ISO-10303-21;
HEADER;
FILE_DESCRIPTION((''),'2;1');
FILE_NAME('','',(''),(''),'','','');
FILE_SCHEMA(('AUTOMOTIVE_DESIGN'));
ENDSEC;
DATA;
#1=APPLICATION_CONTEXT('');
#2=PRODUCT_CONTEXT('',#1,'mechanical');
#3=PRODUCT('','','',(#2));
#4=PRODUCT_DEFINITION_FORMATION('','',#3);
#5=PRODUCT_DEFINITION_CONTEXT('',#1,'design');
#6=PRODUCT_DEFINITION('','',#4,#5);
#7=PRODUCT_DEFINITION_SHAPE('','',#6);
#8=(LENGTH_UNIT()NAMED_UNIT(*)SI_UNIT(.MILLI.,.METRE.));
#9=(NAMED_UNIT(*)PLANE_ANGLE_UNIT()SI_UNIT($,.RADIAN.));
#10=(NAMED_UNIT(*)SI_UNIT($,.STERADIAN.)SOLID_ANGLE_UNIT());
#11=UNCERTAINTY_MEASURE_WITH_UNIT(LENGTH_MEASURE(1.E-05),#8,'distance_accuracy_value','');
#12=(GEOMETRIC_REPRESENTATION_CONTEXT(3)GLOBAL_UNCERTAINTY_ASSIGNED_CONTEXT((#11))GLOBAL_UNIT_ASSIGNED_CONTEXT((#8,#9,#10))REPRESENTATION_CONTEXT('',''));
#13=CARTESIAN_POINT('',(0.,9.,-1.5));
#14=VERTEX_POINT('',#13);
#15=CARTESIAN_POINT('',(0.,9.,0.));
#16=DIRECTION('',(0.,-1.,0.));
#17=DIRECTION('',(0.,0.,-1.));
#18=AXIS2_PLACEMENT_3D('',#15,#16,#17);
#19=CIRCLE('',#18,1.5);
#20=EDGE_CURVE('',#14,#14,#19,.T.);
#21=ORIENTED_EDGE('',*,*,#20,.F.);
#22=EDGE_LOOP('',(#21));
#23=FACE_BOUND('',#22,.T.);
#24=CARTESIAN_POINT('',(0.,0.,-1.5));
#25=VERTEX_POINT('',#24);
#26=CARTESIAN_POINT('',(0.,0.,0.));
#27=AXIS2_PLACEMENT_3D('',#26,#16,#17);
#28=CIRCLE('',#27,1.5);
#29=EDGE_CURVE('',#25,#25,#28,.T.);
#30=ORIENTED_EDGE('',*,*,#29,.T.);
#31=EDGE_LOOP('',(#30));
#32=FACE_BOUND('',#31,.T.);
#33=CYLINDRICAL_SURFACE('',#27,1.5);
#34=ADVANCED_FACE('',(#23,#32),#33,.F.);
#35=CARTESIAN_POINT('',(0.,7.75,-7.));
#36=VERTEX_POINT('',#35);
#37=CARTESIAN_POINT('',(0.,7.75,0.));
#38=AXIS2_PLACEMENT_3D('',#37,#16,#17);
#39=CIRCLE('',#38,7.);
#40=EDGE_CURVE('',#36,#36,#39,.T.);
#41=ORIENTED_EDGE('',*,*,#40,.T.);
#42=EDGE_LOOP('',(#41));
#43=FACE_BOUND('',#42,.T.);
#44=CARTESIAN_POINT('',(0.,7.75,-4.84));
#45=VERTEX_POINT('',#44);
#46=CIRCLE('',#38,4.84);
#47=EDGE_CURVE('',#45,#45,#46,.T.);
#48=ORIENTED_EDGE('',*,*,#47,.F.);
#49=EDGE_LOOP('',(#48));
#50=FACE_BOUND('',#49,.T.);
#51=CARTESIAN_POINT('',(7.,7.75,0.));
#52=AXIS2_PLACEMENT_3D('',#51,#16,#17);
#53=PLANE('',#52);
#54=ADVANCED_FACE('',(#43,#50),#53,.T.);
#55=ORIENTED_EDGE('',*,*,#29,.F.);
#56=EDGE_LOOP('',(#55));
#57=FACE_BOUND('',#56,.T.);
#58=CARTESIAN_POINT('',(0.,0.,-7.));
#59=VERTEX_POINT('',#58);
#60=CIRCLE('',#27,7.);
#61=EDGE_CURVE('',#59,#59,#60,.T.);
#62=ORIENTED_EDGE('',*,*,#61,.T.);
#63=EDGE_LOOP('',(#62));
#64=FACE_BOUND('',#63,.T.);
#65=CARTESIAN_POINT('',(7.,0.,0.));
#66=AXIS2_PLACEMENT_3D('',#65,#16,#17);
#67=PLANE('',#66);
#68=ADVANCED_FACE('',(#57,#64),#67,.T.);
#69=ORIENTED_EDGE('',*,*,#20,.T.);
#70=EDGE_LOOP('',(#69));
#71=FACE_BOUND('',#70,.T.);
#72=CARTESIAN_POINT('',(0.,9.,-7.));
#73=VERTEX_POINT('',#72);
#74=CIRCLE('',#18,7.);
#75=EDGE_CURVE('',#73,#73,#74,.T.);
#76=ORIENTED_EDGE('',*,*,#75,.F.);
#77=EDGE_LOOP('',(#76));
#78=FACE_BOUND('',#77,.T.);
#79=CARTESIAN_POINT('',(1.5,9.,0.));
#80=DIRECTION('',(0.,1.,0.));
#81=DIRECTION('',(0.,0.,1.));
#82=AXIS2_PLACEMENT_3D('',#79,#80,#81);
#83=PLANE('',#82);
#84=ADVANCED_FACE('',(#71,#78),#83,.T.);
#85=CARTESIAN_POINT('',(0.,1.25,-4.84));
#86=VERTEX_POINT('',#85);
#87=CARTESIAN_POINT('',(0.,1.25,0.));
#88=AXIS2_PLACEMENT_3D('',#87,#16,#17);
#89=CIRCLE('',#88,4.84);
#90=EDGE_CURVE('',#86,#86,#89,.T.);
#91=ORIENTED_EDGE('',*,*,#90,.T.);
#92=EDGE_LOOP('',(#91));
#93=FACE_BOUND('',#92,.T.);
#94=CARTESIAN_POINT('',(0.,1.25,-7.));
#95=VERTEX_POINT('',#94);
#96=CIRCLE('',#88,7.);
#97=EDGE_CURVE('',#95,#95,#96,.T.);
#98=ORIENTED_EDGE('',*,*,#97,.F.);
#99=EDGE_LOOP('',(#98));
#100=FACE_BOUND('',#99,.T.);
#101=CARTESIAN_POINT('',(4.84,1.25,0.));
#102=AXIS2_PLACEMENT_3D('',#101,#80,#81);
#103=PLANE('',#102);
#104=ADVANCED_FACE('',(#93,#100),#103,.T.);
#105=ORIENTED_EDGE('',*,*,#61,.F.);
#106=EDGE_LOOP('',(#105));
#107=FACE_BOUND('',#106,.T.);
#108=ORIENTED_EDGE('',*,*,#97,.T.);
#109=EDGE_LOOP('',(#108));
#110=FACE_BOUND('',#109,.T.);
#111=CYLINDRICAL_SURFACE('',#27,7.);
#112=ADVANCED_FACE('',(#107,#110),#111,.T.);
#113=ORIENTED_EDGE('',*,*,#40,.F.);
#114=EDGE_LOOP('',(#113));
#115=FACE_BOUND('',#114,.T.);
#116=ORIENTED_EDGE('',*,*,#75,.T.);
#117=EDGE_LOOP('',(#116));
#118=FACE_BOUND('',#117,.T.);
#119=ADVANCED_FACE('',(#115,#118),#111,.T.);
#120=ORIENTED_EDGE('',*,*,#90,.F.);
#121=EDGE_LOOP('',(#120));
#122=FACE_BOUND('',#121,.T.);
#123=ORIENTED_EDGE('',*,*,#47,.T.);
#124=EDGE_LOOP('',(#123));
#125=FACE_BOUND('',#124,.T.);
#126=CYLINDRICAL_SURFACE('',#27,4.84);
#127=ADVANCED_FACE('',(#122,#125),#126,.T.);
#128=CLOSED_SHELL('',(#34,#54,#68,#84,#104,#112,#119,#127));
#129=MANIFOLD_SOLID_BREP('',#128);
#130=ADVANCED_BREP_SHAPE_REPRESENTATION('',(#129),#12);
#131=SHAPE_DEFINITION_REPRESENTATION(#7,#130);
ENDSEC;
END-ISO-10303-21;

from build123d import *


with BuildPart() as part:
    # Esboço1 → Revolução1 (revolve)
    with BuildSketch(Plane.XY):
        Polygon((1.5, 9), (7, 9), (7, 7.75), (4.84, 7.75), (4.84, 1.25), (7, 1.25), (7, 0), (1.5, 0), align=None)
    revolve(axis=Axis((0, 0, 0), (0, 1, 0)))


solid = part.part
